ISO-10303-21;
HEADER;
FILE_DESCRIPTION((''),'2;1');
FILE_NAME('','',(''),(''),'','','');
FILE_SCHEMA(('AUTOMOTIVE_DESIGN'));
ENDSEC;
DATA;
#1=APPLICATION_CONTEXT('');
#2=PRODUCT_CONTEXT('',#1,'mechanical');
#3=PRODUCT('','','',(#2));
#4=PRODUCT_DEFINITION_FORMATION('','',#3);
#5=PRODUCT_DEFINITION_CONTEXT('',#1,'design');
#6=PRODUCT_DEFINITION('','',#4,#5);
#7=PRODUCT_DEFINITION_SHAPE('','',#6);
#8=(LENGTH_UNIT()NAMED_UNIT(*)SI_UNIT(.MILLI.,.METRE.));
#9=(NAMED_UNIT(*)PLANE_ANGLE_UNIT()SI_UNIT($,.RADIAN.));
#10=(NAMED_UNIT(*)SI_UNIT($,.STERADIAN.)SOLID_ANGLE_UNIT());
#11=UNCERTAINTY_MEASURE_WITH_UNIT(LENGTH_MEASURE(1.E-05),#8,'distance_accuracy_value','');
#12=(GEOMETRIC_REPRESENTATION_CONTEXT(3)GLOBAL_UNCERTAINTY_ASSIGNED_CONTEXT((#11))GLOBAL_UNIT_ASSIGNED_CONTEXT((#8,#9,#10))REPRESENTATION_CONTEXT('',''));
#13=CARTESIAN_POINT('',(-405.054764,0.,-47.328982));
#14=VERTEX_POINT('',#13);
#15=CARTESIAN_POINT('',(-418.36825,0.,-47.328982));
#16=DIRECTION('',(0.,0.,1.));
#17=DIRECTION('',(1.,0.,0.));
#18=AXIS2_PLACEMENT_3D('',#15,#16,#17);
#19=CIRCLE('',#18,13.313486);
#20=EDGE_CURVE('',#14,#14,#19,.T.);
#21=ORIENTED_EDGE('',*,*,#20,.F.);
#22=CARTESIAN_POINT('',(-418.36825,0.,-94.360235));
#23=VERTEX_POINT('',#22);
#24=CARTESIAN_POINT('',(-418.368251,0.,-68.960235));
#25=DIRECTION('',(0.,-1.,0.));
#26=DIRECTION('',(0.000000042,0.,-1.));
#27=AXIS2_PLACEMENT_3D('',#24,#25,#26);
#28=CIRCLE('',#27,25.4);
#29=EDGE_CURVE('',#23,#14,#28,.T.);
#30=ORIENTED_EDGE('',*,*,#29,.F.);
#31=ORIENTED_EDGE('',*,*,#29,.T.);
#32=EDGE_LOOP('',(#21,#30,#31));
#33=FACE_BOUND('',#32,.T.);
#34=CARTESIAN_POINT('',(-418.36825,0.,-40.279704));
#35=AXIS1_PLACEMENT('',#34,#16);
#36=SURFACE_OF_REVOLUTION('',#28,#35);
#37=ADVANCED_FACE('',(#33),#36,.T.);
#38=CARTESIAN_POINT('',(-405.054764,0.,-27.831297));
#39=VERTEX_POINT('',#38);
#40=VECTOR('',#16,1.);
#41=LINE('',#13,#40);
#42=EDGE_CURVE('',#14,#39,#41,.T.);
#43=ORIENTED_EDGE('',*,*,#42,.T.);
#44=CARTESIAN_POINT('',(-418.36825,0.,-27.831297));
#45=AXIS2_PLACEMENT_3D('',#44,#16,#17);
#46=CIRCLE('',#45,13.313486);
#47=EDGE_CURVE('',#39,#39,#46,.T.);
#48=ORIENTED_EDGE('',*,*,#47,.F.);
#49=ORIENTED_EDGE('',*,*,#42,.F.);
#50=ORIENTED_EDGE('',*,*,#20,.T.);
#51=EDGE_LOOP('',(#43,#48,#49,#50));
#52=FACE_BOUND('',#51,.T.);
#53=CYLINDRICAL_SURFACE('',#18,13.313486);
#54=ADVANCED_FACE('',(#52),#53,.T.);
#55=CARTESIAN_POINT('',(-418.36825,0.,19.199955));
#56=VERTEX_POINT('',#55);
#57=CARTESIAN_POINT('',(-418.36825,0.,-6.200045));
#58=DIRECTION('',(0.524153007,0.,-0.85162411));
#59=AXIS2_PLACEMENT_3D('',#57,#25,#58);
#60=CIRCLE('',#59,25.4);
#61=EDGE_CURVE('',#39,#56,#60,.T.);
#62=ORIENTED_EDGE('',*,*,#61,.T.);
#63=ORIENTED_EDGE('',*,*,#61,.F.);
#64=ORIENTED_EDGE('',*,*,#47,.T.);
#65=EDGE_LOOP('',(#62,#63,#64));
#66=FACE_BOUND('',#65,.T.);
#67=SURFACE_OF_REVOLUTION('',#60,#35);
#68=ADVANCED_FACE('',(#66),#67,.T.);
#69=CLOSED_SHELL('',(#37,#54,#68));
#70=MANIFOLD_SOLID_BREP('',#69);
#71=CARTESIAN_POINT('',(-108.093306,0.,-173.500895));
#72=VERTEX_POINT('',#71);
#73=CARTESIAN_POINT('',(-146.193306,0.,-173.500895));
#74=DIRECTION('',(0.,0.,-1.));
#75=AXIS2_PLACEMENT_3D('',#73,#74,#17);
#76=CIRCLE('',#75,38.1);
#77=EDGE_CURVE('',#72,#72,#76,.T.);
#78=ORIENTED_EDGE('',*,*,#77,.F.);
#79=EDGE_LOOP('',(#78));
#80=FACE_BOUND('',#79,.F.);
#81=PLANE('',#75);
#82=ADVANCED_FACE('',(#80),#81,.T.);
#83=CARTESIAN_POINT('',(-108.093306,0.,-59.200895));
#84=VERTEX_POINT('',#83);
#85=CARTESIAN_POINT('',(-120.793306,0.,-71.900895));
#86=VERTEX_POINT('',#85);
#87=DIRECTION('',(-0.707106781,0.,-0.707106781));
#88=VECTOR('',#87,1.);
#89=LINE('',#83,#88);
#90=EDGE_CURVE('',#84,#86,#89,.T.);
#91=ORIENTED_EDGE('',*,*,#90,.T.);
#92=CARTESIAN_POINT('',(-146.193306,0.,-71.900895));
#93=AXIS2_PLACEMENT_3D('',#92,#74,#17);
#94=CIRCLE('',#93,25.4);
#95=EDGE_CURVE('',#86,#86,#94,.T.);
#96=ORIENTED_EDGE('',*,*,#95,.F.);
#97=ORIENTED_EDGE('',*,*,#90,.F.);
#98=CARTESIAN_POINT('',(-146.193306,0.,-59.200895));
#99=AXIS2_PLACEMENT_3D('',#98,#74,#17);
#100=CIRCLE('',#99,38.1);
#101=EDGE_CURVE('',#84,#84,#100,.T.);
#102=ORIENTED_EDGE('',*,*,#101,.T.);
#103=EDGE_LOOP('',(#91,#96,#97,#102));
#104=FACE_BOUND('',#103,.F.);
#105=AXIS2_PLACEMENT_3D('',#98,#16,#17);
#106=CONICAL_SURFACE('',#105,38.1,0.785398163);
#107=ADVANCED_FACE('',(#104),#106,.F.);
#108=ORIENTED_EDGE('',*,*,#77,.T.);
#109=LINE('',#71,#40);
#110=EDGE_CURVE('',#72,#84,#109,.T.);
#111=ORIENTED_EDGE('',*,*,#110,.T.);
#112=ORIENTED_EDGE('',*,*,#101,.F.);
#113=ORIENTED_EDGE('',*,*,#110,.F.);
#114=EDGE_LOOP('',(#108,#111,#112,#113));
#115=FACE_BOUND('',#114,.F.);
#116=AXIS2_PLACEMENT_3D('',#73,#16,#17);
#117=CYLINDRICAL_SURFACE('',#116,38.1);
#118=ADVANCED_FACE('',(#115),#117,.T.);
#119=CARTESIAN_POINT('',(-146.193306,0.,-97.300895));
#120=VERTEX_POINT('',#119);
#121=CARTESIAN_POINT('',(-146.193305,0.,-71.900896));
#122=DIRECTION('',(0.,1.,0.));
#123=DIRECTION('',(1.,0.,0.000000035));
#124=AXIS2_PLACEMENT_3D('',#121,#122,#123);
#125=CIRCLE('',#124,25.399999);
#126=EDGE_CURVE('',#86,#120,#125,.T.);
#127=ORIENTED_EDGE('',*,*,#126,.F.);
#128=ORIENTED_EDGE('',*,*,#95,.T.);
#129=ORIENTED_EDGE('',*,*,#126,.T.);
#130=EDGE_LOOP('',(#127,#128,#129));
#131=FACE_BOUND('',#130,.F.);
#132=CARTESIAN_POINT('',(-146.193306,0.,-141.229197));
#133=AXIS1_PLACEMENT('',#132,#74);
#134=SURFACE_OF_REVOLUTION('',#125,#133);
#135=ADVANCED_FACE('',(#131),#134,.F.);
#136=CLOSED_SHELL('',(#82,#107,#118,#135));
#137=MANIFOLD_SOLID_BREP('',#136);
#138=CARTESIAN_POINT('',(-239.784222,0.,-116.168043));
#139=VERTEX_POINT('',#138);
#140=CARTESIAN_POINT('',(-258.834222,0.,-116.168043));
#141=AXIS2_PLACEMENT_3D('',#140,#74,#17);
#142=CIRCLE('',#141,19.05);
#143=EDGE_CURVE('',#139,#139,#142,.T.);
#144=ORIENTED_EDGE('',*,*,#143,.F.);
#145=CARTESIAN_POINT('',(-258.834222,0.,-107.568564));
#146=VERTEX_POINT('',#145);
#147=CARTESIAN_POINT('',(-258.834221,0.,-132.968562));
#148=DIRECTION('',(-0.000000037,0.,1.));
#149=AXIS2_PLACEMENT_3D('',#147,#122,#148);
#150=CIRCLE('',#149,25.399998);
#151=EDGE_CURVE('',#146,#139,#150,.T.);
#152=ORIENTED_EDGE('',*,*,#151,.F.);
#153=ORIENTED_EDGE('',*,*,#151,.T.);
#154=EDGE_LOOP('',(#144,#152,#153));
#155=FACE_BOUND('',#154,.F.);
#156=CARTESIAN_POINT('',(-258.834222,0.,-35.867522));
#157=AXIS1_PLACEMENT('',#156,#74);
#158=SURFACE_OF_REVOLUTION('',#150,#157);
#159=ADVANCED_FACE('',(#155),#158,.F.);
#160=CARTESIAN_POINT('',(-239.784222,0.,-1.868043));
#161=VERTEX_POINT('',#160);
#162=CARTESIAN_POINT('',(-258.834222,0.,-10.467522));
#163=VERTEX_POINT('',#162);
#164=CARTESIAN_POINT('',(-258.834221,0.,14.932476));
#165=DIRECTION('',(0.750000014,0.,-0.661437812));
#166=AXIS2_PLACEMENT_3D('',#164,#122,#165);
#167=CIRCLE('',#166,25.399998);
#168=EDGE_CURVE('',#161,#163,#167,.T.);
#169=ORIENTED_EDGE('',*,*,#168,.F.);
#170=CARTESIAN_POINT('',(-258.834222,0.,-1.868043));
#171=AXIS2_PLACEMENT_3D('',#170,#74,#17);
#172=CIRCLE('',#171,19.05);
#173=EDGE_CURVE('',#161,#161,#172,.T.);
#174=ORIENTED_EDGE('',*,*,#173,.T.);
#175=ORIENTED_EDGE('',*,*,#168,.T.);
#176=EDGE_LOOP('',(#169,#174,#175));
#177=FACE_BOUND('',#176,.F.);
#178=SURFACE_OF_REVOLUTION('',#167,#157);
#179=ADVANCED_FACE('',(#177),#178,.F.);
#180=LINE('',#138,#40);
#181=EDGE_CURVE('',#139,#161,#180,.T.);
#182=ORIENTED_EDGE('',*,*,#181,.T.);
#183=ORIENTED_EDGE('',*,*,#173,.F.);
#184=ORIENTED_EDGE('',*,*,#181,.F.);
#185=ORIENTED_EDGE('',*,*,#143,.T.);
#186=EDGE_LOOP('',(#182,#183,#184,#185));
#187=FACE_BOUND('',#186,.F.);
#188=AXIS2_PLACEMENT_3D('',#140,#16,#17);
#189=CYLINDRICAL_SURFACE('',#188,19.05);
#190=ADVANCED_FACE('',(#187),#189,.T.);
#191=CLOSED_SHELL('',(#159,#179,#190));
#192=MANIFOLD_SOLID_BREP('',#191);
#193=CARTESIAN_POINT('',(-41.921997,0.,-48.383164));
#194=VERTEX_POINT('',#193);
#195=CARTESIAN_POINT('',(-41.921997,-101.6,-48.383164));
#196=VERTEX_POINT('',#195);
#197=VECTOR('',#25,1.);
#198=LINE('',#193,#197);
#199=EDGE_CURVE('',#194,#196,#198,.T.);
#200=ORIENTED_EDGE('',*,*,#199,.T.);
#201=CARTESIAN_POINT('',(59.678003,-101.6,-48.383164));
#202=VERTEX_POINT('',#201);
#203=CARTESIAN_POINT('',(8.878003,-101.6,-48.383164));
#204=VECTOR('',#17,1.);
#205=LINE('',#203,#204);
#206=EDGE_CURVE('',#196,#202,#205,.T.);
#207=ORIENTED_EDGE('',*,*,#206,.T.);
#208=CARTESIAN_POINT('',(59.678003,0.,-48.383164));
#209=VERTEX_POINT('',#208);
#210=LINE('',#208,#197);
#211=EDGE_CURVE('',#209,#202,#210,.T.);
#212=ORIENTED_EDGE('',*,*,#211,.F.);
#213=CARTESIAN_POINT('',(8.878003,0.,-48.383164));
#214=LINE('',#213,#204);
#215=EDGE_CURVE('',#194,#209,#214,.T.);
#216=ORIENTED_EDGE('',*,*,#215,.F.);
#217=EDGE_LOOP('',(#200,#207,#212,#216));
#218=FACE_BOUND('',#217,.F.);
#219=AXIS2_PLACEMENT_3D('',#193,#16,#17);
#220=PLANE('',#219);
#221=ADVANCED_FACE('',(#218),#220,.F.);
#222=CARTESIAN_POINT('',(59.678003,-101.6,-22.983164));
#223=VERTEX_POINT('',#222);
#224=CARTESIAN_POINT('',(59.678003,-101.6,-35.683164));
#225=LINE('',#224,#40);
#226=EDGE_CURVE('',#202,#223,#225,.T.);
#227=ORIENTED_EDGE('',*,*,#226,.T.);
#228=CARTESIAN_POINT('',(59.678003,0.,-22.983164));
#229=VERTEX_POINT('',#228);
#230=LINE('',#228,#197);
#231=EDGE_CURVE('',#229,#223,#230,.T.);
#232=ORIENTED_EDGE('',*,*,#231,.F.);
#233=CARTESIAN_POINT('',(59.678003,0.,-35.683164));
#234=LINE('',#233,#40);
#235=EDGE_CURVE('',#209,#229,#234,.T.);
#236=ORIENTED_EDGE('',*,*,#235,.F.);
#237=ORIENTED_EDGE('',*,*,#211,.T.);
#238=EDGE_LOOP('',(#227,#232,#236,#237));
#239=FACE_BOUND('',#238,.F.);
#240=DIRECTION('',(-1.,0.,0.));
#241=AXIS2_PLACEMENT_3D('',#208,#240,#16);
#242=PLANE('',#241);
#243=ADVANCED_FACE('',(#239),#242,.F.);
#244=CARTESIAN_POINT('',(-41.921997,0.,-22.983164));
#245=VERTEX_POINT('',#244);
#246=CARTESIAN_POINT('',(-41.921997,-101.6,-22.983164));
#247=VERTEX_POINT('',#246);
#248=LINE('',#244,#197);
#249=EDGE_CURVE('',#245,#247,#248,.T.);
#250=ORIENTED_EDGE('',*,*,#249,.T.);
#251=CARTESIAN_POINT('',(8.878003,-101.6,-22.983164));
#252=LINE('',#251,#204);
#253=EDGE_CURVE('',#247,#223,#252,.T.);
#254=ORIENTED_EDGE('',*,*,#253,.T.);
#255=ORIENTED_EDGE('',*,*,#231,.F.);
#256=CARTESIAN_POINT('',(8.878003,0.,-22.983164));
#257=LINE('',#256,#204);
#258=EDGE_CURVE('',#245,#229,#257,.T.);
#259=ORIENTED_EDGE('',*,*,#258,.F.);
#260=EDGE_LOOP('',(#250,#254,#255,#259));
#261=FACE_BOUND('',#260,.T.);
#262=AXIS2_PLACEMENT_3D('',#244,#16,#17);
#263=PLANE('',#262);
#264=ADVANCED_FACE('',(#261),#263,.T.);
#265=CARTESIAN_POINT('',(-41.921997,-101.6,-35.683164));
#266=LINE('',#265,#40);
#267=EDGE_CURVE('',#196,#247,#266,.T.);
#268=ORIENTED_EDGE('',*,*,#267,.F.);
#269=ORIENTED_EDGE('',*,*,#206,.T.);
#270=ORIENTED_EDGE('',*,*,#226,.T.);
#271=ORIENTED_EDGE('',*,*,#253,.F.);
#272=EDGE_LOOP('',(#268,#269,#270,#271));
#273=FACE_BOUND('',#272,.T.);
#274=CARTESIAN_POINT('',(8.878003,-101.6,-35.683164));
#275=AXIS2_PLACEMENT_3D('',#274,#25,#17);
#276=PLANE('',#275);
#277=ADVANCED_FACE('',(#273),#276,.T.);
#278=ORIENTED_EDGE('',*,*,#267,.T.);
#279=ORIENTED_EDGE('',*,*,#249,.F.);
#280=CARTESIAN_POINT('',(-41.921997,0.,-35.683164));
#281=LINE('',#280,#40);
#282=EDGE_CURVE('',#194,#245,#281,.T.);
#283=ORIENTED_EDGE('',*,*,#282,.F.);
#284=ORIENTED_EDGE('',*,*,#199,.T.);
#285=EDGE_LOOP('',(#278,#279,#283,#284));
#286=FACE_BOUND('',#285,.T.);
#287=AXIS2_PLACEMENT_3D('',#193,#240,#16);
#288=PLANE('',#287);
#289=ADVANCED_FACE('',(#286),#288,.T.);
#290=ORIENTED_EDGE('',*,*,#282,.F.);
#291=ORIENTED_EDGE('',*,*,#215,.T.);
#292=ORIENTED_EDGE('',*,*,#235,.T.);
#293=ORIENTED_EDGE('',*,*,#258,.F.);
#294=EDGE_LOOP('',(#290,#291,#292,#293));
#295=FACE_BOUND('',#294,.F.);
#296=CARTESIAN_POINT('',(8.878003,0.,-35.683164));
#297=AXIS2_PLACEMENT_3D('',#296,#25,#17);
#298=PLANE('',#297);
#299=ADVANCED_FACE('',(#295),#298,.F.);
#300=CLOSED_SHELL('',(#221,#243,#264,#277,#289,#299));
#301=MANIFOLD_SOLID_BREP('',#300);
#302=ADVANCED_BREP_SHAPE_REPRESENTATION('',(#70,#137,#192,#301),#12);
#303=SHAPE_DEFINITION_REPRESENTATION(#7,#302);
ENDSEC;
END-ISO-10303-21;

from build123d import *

# Parameters (mm, degrees)
F0_W     = 101.6
F0_H     = 25.4
F1_DEPTH = 101.6


with BuildPart() as f1:
    # F0 (on Front) → F1 (new body)
    with BuildSketch(Plane.XZ):
        with Locations((8.878003, -35.683164)):
            Rectangle(F0_W, F0_H)
    extrude(amount=F1_DEPTH)


with BuildPart() as f3:
    # F2 (on Front) → F3 (revolve)
    with BuildSketch(Plane.XZ):
        with BuildLine():
            ThreePointArc((-239.784222, -1.868043), (-248.383701, -8.218043), (-258.834222, -10.467522))
            Line((-258.834222, -10.467522), (-258.834222, -67.617522))
            Line((-258.834222, -67.617522), (-258.834222, -107.568564))
            ThreePointArc((-258.834222, -107.568564), (-248.383701, -109.818043), (-239.784222, -116.168043))
            Line((-239.784222, -116.168043), (-239.784222, -1.868043))
        make_face()
    revolve(axis=Axis((-258.834222, 0, -35.867522), (0, 0, -1)))


with BuildPart() as f5:
    # F4 (on Front) → F5 (revolve)
    with BuildSketch(Plane.XZ):
        with BuildLine():
            Line((-418.36825, 19.199955), (-418.36825, -94.360235))
            ThreePointArc((-418.36825, -94.360235), (-393.928592, -75.87855), (-405.054764, -47.328982))
            Line((-405.054764, -47.328982), (-405.054764, -27.831297))
            ThreePointArc((-405.054764, -27.831297), (-393.928592, 0.718271), (-418.36825, 19.199955))
        make_face()
    revolve(axis=Axis((-418.36825, 0, -40.279704), (0, 0, 1)))


with BuildPart() as f7:
    # F6 (on Front) → F7 (revolve)
    with BuildSketch(Plane.XZ):
        with BuildLine():
            Line((-146.193306, -97.300895), (-146.193306, -173.500895))
            Line((-146.193306, -173.500895), (-120.793306, -173.500895))
            Line((-120.793306, -173.500895), (-108.093306, -173.500895))
            Line((-108.093306, -173.500895), (-108.093306, -69.411388))
            Line((-108.093306, -69.411388), (-108.093306, -59.200895))
            Line((-108.093306, -59.200895), (-120.793306, -71.900895))
            ThreePointArc((-120.793306, -71.900895), (-128.232793, -89.861407), (-146.193306, -97.300895))
        make_face()
    revolve(axis=Axis((-146.193306, 0, -141.229197), (0, 0, -1)))


solid = Compound([f1.part, f3.part, f5.part, f7.part])
